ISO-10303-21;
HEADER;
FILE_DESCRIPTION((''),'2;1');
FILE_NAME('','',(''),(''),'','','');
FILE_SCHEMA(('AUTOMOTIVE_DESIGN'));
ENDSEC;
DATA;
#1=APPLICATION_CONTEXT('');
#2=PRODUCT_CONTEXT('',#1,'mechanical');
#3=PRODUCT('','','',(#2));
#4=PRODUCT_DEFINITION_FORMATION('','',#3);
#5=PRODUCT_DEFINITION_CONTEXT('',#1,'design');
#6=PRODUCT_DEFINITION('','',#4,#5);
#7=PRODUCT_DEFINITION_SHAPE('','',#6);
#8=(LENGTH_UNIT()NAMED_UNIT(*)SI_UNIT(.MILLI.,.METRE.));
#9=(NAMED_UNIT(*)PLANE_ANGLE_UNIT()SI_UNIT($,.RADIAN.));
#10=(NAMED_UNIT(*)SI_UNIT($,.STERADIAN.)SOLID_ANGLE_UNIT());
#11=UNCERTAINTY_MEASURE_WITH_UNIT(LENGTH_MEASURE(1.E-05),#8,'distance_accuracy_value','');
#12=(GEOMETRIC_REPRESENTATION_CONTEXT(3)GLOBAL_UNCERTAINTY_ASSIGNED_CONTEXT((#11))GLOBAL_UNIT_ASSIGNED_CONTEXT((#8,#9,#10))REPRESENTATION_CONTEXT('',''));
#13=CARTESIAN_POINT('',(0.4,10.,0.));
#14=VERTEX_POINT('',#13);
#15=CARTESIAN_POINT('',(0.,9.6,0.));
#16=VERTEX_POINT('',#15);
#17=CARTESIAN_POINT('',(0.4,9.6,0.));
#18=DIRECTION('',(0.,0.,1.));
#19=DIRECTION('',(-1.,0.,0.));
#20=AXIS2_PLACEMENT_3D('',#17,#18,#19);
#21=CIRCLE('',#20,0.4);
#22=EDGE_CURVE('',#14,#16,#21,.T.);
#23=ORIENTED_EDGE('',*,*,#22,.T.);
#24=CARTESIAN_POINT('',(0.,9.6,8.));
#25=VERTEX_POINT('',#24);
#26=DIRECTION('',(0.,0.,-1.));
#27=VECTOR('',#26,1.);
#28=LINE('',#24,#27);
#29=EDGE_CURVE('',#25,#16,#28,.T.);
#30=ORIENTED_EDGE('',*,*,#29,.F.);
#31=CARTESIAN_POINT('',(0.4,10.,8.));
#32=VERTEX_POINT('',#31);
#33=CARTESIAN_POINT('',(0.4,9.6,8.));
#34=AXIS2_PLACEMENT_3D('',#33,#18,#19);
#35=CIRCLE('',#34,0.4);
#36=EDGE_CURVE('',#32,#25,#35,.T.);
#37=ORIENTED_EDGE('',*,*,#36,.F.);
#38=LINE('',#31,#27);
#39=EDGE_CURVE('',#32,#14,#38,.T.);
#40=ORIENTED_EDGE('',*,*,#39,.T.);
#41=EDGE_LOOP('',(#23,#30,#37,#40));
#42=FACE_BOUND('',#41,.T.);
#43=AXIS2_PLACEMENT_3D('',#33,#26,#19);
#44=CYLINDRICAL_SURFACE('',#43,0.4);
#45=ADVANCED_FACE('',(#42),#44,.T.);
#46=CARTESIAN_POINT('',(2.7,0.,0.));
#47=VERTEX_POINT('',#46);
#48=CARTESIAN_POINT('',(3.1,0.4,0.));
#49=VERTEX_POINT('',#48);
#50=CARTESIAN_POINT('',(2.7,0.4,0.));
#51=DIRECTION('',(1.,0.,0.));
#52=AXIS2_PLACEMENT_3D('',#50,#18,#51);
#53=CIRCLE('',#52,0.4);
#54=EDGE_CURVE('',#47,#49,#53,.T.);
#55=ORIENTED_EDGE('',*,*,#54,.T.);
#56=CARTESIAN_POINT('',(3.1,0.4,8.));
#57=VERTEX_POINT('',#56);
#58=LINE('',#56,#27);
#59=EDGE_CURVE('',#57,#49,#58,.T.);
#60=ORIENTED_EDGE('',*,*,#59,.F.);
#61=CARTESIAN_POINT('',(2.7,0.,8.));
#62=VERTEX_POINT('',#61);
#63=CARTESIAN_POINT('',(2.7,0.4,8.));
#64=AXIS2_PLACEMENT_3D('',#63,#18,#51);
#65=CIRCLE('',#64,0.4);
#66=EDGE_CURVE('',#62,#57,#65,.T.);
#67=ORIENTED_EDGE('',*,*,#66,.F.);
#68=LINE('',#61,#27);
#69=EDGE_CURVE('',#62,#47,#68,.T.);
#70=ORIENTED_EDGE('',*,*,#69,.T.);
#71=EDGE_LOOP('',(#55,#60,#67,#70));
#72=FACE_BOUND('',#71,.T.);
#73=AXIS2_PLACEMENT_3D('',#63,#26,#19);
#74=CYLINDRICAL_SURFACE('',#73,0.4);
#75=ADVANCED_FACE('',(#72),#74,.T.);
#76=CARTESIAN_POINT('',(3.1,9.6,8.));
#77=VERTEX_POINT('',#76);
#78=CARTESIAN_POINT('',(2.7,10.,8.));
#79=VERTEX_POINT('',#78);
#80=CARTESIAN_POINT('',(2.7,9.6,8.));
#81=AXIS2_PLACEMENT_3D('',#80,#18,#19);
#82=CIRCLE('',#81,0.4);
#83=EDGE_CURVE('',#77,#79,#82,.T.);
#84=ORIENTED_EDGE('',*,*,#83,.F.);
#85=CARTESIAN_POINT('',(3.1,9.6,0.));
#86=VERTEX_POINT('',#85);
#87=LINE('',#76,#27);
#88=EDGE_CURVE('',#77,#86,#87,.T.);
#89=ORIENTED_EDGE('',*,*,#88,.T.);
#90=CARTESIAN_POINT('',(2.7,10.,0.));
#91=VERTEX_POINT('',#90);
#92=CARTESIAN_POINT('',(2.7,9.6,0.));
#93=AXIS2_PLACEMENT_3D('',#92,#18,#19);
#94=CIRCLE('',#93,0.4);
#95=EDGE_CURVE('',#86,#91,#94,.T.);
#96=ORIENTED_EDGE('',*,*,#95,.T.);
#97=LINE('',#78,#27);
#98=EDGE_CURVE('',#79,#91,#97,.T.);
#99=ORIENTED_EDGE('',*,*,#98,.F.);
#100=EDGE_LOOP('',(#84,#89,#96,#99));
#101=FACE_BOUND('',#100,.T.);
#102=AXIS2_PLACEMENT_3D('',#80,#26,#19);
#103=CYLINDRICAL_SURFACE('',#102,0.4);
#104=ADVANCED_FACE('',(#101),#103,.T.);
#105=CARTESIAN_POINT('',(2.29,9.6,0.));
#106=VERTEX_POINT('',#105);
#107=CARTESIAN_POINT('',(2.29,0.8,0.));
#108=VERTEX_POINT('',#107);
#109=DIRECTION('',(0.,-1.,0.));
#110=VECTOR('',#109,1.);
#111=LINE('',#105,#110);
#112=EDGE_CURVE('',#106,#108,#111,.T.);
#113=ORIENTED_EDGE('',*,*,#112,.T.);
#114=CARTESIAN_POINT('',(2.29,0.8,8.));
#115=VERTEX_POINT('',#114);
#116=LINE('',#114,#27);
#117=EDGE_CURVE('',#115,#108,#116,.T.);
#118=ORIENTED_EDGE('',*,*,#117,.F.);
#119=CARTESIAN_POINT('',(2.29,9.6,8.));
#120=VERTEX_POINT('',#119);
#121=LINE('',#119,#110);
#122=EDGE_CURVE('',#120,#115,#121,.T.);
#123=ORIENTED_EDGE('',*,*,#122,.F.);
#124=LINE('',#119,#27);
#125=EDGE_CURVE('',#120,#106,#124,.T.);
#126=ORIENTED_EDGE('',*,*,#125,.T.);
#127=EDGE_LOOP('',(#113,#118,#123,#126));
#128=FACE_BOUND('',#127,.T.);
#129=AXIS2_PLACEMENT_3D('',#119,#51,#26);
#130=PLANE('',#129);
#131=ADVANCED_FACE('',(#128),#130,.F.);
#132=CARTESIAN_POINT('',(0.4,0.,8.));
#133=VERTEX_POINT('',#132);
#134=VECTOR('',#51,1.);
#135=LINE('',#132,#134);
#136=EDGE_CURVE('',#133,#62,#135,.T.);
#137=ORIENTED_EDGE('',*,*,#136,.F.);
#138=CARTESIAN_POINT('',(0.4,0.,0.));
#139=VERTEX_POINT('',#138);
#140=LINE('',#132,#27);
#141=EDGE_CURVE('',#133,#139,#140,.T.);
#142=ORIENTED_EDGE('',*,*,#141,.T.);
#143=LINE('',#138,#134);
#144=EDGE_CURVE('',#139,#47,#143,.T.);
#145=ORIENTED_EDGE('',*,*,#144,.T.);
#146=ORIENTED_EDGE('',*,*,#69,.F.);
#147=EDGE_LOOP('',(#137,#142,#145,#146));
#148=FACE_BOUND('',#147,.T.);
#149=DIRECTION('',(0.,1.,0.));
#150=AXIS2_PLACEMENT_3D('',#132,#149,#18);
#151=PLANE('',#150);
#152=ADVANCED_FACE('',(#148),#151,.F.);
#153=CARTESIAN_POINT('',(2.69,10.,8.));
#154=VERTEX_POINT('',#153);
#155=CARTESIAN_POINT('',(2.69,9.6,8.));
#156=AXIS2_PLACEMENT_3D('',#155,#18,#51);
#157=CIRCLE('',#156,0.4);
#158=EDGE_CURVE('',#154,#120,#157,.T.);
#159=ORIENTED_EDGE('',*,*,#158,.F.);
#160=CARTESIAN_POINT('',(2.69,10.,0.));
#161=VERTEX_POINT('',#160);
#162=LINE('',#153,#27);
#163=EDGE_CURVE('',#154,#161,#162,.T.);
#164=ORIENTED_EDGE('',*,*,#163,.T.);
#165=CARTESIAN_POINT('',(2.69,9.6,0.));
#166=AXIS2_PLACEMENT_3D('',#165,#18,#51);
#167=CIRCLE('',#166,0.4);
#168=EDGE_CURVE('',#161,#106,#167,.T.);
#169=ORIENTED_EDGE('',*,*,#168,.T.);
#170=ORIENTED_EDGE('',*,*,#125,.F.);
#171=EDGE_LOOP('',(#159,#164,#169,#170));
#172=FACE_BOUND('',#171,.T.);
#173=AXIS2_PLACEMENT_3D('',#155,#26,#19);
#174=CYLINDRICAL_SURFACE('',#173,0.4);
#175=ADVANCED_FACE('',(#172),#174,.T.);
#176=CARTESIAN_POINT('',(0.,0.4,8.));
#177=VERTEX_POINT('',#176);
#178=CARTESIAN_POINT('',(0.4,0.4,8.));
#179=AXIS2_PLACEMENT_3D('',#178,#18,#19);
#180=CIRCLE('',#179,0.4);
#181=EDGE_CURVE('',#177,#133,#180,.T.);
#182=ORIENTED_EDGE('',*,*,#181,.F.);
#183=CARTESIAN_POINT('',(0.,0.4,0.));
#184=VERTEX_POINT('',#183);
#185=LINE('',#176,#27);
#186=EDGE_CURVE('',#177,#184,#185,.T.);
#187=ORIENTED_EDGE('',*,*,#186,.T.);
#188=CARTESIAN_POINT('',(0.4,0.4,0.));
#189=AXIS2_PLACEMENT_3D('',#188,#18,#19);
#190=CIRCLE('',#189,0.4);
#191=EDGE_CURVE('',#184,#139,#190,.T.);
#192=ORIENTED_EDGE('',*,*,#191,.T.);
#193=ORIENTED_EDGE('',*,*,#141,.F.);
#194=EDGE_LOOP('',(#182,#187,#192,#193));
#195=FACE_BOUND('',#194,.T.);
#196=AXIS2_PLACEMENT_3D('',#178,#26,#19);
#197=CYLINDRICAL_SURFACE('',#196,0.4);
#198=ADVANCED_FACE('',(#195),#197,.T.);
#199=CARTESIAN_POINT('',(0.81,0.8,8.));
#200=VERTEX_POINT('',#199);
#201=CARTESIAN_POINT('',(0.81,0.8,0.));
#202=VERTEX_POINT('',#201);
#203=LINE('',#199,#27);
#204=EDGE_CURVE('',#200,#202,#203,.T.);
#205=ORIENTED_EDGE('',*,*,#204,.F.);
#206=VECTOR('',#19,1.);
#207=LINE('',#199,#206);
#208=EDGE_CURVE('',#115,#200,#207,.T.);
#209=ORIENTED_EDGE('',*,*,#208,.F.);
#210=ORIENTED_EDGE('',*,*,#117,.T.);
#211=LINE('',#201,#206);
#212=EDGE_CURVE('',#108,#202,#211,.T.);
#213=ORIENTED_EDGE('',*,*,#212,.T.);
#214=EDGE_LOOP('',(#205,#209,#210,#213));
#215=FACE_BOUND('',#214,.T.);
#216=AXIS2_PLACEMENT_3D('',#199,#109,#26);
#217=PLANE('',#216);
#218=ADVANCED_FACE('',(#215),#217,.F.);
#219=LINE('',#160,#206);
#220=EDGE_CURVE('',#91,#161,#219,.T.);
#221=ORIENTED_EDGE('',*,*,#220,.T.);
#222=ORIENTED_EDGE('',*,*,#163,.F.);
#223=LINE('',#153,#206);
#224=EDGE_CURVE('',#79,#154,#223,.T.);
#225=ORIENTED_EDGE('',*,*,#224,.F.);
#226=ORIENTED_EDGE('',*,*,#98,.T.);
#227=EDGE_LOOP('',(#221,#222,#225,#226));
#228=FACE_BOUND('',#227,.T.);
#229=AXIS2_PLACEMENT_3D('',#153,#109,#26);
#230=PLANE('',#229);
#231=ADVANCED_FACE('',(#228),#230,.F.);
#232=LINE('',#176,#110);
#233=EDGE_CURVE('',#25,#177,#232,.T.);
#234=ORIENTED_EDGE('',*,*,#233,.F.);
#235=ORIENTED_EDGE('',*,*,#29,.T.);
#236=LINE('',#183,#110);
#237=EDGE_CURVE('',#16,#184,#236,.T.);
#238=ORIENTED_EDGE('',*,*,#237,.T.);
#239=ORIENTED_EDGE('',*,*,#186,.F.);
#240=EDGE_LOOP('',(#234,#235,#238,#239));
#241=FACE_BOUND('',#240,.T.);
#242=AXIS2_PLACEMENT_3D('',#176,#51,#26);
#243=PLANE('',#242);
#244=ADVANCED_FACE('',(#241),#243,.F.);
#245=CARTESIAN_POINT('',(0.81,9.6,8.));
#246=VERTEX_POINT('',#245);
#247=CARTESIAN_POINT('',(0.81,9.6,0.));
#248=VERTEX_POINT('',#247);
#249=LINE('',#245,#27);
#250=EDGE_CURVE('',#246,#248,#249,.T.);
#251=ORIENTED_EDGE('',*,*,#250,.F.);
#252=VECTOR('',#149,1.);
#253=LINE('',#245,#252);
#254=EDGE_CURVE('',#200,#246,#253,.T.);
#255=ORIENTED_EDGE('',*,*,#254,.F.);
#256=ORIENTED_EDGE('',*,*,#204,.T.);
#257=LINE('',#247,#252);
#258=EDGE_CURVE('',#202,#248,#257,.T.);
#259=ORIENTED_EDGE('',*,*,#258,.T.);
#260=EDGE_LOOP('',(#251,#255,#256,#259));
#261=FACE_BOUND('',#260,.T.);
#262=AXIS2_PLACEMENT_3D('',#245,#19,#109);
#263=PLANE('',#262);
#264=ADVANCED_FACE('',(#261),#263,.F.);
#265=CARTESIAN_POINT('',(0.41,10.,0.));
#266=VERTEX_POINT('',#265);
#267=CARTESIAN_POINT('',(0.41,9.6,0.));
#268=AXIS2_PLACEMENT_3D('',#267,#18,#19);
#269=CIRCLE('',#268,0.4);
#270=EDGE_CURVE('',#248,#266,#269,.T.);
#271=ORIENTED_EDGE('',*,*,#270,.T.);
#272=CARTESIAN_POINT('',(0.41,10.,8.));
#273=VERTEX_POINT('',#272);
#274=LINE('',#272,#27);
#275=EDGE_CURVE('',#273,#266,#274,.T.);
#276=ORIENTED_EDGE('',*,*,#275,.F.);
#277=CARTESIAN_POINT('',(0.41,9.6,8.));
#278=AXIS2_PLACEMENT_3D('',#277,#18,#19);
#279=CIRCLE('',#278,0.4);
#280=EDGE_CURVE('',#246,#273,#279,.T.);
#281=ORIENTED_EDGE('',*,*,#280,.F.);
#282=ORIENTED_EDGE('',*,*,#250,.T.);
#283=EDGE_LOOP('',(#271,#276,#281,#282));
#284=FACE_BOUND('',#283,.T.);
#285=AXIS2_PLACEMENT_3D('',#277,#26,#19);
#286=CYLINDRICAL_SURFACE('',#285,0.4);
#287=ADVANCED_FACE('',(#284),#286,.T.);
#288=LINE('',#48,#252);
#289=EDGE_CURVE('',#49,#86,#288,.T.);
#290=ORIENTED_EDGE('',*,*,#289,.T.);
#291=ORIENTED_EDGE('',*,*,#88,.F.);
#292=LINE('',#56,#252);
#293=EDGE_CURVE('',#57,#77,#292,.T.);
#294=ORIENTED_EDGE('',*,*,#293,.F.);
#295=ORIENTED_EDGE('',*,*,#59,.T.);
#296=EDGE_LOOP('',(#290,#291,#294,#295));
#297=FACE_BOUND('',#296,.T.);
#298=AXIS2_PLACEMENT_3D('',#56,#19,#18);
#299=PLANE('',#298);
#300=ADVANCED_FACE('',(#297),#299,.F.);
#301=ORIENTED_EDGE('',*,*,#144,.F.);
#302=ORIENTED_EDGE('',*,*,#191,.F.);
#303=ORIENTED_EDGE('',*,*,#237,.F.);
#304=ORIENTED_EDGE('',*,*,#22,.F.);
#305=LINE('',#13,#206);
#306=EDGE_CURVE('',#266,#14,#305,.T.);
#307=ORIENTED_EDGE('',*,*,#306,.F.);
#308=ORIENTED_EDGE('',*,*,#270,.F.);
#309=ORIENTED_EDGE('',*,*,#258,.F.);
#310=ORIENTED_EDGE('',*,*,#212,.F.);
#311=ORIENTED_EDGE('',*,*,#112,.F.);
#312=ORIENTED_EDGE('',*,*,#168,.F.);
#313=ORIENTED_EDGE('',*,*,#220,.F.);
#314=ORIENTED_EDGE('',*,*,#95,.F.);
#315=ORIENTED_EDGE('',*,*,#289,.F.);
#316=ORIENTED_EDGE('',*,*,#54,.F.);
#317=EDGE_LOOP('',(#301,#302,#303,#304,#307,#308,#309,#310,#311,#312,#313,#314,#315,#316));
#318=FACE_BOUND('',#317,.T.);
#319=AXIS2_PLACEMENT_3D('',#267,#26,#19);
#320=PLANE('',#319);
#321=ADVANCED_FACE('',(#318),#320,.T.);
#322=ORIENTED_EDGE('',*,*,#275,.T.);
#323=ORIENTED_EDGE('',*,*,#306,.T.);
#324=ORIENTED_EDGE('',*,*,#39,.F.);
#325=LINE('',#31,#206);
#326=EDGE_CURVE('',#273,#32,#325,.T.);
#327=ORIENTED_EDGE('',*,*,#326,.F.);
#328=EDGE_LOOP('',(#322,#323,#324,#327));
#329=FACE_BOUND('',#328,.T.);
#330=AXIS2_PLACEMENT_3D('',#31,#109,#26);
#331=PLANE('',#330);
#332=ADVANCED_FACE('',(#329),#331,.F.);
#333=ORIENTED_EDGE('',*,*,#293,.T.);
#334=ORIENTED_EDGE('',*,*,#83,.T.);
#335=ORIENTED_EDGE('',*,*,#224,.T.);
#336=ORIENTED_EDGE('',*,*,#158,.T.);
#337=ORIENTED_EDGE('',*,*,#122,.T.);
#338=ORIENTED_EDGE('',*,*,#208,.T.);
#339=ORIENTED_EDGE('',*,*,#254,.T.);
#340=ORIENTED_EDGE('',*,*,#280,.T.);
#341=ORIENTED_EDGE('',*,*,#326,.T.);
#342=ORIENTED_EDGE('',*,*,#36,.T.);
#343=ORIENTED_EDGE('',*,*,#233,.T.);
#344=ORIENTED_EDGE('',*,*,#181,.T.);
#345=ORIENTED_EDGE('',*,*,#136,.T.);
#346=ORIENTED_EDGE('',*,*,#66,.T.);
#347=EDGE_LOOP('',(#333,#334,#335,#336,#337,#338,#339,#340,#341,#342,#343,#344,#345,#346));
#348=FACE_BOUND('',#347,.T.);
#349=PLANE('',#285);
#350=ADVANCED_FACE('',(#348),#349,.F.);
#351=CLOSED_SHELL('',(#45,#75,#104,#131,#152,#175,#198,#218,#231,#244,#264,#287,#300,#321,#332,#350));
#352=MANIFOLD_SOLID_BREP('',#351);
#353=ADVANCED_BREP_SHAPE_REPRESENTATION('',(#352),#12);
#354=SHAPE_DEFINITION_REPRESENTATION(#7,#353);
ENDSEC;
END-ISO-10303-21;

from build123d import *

# Parameters (mm, degrees)
BOSS_EXTRUDE1_DEPTH = 8


with BuildPart() as part:
    # Sketch1 → Boss-Extrude1 (new body)
    with BuildSketch(Plane.XY):
        with BuildLine():
            Line((2.69, 10), (2.7, 10))
            ThreePointArc((2.7, 10), (2.982842712, 9.882842712), (3.1, 9.6))
            Line((3.1, 9.6), (3.1, 0.4))
            ThreePointArc((3.1, 0.4), (2.982842712, 0.117157288), (2.7, 0))
            Line((2.7, 0), (0.4, 0))
            ThreePointArc((0.4, 0), (0.117157288, 0.117157288), (0, 0.4))
            Line((0, 0.4), (0, 9.6))
            ThreePointArc((0, 9.6), (0.117157288, 9.882842712), (0.4, 10))
            Line((0.4, 10), (0.41, 10))
            ThreePointArc((0.41, 10), (0.692842712, 9.882842712), (0.81, 9.6))
            Line((0.81, 9.6), (0.81, 0.8))
            Line((0.81, 0.8), (2.29, 0.8))
            Line((2.29, 0.8), (2.29, 9.6))
            ThreePointArc((2.29, 9.6), (2.407157288, 9.882842712), (2.69, 10))
        make_face()
    extrude(amount=BOSS_EXTRUDE1_DEPTH)


solid = part.part
